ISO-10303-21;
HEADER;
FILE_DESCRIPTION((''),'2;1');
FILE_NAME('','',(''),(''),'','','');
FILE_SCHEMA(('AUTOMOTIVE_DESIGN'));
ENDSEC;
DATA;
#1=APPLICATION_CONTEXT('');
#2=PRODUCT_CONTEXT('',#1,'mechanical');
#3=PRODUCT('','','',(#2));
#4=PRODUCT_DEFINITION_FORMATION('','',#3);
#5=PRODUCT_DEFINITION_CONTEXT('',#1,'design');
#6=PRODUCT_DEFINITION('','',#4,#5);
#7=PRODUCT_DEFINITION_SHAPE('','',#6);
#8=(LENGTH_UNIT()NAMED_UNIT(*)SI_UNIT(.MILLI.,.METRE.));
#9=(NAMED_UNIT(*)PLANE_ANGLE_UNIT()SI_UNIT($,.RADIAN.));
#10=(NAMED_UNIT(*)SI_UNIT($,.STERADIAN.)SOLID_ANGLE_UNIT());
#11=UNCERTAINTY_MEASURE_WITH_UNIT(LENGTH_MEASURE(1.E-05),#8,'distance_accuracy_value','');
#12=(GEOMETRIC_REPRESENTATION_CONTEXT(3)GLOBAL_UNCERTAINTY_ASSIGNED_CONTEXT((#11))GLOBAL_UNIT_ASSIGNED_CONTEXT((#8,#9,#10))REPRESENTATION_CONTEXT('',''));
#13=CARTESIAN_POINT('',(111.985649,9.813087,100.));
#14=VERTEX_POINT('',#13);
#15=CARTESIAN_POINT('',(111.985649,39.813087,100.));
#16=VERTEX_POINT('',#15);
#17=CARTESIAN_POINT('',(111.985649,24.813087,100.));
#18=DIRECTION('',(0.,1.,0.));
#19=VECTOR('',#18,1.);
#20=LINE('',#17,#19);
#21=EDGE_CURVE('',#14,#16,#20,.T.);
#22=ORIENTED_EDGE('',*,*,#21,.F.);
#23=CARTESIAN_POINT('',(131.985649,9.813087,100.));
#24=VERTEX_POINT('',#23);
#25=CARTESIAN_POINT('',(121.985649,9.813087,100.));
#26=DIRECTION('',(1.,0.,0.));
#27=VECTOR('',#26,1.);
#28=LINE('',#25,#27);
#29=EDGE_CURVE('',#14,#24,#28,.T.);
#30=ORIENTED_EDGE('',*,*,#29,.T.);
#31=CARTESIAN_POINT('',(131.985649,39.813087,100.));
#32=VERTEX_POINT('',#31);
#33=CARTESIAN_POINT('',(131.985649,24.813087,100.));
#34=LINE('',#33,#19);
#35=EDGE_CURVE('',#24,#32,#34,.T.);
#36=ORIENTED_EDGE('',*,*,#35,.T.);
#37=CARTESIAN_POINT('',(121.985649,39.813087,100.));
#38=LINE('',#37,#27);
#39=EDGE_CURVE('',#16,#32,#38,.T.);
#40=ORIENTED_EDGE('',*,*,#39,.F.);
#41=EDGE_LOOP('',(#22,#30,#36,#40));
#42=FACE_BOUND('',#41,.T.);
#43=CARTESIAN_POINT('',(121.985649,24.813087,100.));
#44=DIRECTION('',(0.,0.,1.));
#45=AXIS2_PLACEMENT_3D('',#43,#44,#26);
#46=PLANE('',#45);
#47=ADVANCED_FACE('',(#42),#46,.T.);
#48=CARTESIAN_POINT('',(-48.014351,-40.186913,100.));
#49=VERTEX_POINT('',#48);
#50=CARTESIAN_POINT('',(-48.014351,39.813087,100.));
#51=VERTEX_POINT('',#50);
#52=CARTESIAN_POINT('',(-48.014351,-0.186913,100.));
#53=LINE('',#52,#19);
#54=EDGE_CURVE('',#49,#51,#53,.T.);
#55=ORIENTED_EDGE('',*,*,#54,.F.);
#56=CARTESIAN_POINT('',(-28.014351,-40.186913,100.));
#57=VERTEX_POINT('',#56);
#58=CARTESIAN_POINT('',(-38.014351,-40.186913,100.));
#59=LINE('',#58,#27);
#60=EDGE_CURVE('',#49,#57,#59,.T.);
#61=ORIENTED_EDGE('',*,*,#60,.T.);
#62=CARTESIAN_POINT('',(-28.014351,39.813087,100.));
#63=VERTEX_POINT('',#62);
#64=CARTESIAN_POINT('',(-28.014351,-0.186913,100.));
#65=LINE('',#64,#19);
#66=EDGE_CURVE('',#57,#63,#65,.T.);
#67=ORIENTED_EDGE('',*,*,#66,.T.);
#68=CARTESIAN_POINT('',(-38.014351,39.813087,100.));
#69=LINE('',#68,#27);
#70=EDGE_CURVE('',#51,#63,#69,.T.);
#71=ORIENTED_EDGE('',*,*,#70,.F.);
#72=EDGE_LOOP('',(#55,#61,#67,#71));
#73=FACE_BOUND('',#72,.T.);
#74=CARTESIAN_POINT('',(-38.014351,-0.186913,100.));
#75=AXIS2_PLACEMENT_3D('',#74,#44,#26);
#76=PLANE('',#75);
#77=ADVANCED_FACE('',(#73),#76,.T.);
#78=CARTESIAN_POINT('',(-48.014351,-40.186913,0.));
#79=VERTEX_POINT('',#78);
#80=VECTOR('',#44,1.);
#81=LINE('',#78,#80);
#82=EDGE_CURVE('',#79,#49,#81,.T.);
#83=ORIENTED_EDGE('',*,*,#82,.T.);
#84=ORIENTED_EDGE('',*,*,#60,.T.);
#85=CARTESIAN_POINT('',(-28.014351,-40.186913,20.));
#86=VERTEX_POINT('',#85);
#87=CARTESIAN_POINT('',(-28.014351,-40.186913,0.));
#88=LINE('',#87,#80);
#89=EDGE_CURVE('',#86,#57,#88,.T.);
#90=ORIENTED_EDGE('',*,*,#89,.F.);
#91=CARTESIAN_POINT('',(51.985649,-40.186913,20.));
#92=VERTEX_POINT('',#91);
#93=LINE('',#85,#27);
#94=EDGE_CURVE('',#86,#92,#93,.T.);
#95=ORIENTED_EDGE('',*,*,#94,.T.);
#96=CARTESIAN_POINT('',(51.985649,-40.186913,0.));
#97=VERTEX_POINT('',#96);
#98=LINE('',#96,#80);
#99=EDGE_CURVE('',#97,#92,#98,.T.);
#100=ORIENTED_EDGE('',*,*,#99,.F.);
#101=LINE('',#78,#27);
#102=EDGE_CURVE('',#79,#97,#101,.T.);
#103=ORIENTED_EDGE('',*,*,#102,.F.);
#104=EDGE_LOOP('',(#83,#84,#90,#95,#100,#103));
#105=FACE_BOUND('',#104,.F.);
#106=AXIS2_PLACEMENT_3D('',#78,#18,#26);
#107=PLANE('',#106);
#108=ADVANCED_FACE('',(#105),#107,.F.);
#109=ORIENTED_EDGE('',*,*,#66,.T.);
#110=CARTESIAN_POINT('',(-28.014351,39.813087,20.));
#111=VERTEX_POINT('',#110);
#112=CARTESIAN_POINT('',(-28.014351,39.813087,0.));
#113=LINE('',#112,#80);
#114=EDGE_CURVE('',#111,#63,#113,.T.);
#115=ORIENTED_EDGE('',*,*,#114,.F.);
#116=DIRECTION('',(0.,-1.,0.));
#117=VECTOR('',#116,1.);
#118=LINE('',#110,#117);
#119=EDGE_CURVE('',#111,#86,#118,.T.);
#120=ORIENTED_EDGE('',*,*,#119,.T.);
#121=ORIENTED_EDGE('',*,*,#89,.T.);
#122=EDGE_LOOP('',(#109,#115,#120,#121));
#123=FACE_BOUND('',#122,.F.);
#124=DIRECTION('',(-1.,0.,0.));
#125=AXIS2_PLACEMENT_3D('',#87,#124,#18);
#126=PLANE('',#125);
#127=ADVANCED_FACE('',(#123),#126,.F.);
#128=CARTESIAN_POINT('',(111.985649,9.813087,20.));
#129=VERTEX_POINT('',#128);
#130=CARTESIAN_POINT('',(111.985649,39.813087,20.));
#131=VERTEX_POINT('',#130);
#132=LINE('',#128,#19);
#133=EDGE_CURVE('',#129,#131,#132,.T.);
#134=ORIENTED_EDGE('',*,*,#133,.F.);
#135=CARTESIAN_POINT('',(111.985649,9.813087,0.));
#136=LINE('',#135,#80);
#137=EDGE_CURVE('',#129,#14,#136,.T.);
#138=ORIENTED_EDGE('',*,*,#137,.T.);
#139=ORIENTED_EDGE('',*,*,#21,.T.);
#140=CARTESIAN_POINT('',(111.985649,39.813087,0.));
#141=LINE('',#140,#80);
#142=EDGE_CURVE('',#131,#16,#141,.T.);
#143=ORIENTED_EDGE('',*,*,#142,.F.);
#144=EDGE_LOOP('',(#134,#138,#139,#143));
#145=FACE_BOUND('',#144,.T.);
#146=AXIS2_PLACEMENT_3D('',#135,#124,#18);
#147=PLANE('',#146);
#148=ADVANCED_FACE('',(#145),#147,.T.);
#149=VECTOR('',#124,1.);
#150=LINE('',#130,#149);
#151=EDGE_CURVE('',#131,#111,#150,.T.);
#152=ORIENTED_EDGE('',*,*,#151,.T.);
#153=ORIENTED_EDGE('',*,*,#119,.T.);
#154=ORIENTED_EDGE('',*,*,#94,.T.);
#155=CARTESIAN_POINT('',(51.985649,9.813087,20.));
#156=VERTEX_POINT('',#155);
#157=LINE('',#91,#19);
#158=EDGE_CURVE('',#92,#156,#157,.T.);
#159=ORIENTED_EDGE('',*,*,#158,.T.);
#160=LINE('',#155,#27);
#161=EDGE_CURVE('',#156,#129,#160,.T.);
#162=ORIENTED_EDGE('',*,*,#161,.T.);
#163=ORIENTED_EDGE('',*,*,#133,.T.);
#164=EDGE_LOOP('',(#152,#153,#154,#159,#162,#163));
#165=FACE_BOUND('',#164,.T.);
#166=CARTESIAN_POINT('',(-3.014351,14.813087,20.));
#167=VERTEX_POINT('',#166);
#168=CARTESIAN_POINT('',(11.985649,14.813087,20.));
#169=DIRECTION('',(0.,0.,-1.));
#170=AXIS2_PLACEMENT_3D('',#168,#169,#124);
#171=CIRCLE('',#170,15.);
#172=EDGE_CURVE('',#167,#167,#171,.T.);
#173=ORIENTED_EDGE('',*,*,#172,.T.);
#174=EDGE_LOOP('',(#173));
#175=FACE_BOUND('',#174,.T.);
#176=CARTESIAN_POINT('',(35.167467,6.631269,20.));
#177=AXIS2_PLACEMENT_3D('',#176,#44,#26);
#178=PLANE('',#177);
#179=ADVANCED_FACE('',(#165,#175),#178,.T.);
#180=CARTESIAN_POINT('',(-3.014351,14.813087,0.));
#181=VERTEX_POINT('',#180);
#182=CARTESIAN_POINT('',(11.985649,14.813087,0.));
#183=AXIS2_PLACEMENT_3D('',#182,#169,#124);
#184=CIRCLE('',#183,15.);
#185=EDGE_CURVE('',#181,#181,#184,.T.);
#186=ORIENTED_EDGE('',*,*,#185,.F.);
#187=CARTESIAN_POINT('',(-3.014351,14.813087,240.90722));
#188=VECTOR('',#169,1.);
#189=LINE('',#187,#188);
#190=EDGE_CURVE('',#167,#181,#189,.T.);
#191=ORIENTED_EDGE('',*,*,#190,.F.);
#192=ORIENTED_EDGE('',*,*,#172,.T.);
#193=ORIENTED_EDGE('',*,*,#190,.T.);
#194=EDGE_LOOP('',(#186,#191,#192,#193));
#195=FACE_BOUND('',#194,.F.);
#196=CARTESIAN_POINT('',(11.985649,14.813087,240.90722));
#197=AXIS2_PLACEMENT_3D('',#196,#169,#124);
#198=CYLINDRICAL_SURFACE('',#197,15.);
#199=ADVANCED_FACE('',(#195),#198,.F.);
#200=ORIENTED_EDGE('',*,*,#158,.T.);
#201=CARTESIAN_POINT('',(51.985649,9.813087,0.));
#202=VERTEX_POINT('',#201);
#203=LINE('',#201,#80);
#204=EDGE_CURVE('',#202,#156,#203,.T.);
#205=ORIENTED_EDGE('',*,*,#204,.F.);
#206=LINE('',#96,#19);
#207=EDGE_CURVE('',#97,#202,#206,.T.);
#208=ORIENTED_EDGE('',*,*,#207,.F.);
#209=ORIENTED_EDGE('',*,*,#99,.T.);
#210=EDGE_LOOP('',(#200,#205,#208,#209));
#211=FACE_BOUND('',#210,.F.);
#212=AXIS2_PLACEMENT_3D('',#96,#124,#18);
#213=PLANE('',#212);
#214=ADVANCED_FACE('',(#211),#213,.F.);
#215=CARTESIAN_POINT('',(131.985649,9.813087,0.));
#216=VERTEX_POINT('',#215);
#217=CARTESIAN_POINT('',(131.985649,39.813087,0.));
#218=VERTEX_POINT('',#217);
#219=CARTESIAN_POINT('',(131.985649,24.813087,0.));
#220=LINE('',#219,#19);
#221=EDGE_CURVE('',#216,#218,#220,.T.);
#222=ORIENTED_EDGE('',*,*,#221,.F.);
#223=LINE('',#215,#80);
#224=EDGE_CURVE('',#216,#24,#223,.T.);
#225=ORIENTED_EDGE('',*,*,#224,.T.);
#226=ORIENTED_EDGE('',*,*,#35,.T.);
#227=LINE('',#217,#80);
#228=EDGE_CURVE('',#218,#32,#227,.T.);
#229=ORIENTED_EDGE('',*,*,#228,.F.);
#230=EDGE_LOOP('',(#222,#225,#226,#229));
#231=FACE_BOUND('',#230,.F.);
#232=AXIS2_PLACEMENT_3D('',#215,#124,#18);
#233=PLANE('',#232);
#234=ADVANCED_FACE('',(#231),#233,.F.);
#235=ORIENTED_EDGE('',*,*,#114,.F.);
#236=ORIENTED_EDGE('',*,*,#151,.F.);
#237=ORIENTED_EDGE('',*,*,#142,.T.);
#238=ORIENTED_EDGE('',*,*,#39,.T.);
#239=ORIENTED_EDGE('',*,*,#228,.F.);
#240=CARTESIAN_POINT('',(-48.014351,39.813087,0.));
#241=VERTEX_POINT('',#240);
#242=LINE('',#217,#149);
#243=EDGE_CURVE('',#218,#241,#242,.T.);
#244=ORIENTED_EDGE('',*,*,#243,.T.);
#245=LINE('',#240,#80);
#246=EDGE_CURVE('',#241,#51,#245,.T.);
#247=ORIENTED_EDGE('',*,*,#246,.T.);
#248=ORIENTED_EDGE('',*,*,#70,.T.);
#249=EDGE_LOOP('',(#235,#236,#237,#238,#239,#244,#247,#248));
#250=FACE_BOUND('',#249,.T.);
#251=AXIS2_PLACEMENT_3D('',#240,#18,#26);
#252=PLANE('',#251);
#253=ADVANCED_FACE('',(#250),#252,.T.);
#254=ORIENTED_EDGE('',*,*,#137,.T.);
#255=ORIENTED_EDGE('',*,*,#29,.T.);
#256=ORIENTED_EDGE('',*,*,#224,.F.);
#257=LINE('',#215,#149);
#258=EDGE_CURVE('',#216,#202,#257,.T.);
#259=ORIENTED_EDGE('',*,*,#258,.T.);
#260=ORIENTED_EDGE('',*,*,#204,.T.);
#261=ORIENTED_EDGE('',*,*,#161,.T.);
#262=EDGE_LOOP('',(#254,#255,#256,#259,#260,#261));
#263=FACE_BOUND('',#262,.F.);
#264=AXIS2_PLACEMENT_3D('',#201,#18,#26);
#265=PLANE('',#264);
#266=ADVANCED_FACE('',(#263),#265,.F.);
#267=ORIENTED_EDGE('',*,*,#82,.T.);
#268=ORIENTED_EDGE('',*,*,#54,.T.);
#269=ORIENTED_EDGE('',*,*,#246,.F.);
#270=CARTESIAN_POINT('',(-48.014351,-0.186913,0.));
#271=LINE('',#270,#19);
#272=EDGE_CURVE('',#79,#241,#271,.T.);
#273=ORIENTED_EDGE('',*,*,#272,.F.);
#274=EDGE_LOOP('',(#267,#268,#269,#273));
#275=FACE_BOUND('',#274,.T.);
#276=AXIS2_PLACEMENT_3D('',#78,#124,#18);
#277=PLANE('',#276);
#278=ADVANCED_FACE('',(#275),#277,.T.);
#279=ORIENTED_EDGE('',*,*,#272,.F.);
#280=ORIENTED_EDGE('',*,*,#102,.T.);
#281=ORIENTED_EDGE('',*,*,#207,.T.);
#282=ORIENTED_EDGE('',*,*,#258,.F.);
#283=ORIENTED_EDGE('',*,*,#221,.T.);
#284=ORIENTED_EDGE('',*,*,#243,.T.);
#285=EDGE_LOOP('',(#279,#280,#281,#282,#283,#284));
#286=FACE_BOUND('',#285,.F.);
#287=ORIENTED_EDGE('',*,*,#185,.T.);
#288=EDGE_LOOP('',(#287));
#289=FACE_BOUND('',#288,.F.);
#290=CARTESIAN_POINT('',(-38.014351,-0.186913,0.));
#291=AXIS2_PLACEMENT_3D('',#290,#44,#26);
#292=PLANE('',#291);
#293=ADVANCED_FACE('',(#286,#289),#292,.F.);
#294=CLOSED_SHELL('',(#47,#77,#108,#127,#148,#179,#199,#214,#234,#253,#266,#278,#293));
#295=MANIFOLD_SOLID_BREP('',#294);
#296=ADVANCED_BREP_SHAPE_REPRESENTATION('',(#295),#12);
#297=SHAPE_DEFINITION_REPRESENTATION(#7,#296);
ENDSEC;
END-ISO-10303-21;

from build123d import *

# Parameters (mm, degrees)
F1_DEPTH = 20
F0_W     = 20
F0_H     = 80
F0_H_2   = 30
F2_DEPTH = 100
F4_D     = 30


with BuildPart() as f1:
    # F0 (on Top) → F1 (new body)
    with BuildSketch(Plane.XY):
        Polygon((111.985649, 39.813087), (-28.014351, 39.813087), (-28.014351, -40.186913), (51.985649, -40.186913), (51.985649, 9.813087), (111.985649, 9.813087), align=None)
    extrude(amount=F1_DEPTH)

    # F0 (on Top) → F2 (join)
    with BuildSketch(Plane.XY):
        with Locations((-38.014351, -0.186913)):
            Rectangle(F0_W, F0_H)
        with Locations((121.985649, 24.813087)):
            Rectangle(F0_W, F0_H_2)
    extrude(amount=F2_DEPTH)

    # F4 (through all)
    with Locations(Plane.XY.offset(20)):
        with Locations((11.985649, 14.813087)):
            Hole(F4_D / 2)


solid = f1.part
